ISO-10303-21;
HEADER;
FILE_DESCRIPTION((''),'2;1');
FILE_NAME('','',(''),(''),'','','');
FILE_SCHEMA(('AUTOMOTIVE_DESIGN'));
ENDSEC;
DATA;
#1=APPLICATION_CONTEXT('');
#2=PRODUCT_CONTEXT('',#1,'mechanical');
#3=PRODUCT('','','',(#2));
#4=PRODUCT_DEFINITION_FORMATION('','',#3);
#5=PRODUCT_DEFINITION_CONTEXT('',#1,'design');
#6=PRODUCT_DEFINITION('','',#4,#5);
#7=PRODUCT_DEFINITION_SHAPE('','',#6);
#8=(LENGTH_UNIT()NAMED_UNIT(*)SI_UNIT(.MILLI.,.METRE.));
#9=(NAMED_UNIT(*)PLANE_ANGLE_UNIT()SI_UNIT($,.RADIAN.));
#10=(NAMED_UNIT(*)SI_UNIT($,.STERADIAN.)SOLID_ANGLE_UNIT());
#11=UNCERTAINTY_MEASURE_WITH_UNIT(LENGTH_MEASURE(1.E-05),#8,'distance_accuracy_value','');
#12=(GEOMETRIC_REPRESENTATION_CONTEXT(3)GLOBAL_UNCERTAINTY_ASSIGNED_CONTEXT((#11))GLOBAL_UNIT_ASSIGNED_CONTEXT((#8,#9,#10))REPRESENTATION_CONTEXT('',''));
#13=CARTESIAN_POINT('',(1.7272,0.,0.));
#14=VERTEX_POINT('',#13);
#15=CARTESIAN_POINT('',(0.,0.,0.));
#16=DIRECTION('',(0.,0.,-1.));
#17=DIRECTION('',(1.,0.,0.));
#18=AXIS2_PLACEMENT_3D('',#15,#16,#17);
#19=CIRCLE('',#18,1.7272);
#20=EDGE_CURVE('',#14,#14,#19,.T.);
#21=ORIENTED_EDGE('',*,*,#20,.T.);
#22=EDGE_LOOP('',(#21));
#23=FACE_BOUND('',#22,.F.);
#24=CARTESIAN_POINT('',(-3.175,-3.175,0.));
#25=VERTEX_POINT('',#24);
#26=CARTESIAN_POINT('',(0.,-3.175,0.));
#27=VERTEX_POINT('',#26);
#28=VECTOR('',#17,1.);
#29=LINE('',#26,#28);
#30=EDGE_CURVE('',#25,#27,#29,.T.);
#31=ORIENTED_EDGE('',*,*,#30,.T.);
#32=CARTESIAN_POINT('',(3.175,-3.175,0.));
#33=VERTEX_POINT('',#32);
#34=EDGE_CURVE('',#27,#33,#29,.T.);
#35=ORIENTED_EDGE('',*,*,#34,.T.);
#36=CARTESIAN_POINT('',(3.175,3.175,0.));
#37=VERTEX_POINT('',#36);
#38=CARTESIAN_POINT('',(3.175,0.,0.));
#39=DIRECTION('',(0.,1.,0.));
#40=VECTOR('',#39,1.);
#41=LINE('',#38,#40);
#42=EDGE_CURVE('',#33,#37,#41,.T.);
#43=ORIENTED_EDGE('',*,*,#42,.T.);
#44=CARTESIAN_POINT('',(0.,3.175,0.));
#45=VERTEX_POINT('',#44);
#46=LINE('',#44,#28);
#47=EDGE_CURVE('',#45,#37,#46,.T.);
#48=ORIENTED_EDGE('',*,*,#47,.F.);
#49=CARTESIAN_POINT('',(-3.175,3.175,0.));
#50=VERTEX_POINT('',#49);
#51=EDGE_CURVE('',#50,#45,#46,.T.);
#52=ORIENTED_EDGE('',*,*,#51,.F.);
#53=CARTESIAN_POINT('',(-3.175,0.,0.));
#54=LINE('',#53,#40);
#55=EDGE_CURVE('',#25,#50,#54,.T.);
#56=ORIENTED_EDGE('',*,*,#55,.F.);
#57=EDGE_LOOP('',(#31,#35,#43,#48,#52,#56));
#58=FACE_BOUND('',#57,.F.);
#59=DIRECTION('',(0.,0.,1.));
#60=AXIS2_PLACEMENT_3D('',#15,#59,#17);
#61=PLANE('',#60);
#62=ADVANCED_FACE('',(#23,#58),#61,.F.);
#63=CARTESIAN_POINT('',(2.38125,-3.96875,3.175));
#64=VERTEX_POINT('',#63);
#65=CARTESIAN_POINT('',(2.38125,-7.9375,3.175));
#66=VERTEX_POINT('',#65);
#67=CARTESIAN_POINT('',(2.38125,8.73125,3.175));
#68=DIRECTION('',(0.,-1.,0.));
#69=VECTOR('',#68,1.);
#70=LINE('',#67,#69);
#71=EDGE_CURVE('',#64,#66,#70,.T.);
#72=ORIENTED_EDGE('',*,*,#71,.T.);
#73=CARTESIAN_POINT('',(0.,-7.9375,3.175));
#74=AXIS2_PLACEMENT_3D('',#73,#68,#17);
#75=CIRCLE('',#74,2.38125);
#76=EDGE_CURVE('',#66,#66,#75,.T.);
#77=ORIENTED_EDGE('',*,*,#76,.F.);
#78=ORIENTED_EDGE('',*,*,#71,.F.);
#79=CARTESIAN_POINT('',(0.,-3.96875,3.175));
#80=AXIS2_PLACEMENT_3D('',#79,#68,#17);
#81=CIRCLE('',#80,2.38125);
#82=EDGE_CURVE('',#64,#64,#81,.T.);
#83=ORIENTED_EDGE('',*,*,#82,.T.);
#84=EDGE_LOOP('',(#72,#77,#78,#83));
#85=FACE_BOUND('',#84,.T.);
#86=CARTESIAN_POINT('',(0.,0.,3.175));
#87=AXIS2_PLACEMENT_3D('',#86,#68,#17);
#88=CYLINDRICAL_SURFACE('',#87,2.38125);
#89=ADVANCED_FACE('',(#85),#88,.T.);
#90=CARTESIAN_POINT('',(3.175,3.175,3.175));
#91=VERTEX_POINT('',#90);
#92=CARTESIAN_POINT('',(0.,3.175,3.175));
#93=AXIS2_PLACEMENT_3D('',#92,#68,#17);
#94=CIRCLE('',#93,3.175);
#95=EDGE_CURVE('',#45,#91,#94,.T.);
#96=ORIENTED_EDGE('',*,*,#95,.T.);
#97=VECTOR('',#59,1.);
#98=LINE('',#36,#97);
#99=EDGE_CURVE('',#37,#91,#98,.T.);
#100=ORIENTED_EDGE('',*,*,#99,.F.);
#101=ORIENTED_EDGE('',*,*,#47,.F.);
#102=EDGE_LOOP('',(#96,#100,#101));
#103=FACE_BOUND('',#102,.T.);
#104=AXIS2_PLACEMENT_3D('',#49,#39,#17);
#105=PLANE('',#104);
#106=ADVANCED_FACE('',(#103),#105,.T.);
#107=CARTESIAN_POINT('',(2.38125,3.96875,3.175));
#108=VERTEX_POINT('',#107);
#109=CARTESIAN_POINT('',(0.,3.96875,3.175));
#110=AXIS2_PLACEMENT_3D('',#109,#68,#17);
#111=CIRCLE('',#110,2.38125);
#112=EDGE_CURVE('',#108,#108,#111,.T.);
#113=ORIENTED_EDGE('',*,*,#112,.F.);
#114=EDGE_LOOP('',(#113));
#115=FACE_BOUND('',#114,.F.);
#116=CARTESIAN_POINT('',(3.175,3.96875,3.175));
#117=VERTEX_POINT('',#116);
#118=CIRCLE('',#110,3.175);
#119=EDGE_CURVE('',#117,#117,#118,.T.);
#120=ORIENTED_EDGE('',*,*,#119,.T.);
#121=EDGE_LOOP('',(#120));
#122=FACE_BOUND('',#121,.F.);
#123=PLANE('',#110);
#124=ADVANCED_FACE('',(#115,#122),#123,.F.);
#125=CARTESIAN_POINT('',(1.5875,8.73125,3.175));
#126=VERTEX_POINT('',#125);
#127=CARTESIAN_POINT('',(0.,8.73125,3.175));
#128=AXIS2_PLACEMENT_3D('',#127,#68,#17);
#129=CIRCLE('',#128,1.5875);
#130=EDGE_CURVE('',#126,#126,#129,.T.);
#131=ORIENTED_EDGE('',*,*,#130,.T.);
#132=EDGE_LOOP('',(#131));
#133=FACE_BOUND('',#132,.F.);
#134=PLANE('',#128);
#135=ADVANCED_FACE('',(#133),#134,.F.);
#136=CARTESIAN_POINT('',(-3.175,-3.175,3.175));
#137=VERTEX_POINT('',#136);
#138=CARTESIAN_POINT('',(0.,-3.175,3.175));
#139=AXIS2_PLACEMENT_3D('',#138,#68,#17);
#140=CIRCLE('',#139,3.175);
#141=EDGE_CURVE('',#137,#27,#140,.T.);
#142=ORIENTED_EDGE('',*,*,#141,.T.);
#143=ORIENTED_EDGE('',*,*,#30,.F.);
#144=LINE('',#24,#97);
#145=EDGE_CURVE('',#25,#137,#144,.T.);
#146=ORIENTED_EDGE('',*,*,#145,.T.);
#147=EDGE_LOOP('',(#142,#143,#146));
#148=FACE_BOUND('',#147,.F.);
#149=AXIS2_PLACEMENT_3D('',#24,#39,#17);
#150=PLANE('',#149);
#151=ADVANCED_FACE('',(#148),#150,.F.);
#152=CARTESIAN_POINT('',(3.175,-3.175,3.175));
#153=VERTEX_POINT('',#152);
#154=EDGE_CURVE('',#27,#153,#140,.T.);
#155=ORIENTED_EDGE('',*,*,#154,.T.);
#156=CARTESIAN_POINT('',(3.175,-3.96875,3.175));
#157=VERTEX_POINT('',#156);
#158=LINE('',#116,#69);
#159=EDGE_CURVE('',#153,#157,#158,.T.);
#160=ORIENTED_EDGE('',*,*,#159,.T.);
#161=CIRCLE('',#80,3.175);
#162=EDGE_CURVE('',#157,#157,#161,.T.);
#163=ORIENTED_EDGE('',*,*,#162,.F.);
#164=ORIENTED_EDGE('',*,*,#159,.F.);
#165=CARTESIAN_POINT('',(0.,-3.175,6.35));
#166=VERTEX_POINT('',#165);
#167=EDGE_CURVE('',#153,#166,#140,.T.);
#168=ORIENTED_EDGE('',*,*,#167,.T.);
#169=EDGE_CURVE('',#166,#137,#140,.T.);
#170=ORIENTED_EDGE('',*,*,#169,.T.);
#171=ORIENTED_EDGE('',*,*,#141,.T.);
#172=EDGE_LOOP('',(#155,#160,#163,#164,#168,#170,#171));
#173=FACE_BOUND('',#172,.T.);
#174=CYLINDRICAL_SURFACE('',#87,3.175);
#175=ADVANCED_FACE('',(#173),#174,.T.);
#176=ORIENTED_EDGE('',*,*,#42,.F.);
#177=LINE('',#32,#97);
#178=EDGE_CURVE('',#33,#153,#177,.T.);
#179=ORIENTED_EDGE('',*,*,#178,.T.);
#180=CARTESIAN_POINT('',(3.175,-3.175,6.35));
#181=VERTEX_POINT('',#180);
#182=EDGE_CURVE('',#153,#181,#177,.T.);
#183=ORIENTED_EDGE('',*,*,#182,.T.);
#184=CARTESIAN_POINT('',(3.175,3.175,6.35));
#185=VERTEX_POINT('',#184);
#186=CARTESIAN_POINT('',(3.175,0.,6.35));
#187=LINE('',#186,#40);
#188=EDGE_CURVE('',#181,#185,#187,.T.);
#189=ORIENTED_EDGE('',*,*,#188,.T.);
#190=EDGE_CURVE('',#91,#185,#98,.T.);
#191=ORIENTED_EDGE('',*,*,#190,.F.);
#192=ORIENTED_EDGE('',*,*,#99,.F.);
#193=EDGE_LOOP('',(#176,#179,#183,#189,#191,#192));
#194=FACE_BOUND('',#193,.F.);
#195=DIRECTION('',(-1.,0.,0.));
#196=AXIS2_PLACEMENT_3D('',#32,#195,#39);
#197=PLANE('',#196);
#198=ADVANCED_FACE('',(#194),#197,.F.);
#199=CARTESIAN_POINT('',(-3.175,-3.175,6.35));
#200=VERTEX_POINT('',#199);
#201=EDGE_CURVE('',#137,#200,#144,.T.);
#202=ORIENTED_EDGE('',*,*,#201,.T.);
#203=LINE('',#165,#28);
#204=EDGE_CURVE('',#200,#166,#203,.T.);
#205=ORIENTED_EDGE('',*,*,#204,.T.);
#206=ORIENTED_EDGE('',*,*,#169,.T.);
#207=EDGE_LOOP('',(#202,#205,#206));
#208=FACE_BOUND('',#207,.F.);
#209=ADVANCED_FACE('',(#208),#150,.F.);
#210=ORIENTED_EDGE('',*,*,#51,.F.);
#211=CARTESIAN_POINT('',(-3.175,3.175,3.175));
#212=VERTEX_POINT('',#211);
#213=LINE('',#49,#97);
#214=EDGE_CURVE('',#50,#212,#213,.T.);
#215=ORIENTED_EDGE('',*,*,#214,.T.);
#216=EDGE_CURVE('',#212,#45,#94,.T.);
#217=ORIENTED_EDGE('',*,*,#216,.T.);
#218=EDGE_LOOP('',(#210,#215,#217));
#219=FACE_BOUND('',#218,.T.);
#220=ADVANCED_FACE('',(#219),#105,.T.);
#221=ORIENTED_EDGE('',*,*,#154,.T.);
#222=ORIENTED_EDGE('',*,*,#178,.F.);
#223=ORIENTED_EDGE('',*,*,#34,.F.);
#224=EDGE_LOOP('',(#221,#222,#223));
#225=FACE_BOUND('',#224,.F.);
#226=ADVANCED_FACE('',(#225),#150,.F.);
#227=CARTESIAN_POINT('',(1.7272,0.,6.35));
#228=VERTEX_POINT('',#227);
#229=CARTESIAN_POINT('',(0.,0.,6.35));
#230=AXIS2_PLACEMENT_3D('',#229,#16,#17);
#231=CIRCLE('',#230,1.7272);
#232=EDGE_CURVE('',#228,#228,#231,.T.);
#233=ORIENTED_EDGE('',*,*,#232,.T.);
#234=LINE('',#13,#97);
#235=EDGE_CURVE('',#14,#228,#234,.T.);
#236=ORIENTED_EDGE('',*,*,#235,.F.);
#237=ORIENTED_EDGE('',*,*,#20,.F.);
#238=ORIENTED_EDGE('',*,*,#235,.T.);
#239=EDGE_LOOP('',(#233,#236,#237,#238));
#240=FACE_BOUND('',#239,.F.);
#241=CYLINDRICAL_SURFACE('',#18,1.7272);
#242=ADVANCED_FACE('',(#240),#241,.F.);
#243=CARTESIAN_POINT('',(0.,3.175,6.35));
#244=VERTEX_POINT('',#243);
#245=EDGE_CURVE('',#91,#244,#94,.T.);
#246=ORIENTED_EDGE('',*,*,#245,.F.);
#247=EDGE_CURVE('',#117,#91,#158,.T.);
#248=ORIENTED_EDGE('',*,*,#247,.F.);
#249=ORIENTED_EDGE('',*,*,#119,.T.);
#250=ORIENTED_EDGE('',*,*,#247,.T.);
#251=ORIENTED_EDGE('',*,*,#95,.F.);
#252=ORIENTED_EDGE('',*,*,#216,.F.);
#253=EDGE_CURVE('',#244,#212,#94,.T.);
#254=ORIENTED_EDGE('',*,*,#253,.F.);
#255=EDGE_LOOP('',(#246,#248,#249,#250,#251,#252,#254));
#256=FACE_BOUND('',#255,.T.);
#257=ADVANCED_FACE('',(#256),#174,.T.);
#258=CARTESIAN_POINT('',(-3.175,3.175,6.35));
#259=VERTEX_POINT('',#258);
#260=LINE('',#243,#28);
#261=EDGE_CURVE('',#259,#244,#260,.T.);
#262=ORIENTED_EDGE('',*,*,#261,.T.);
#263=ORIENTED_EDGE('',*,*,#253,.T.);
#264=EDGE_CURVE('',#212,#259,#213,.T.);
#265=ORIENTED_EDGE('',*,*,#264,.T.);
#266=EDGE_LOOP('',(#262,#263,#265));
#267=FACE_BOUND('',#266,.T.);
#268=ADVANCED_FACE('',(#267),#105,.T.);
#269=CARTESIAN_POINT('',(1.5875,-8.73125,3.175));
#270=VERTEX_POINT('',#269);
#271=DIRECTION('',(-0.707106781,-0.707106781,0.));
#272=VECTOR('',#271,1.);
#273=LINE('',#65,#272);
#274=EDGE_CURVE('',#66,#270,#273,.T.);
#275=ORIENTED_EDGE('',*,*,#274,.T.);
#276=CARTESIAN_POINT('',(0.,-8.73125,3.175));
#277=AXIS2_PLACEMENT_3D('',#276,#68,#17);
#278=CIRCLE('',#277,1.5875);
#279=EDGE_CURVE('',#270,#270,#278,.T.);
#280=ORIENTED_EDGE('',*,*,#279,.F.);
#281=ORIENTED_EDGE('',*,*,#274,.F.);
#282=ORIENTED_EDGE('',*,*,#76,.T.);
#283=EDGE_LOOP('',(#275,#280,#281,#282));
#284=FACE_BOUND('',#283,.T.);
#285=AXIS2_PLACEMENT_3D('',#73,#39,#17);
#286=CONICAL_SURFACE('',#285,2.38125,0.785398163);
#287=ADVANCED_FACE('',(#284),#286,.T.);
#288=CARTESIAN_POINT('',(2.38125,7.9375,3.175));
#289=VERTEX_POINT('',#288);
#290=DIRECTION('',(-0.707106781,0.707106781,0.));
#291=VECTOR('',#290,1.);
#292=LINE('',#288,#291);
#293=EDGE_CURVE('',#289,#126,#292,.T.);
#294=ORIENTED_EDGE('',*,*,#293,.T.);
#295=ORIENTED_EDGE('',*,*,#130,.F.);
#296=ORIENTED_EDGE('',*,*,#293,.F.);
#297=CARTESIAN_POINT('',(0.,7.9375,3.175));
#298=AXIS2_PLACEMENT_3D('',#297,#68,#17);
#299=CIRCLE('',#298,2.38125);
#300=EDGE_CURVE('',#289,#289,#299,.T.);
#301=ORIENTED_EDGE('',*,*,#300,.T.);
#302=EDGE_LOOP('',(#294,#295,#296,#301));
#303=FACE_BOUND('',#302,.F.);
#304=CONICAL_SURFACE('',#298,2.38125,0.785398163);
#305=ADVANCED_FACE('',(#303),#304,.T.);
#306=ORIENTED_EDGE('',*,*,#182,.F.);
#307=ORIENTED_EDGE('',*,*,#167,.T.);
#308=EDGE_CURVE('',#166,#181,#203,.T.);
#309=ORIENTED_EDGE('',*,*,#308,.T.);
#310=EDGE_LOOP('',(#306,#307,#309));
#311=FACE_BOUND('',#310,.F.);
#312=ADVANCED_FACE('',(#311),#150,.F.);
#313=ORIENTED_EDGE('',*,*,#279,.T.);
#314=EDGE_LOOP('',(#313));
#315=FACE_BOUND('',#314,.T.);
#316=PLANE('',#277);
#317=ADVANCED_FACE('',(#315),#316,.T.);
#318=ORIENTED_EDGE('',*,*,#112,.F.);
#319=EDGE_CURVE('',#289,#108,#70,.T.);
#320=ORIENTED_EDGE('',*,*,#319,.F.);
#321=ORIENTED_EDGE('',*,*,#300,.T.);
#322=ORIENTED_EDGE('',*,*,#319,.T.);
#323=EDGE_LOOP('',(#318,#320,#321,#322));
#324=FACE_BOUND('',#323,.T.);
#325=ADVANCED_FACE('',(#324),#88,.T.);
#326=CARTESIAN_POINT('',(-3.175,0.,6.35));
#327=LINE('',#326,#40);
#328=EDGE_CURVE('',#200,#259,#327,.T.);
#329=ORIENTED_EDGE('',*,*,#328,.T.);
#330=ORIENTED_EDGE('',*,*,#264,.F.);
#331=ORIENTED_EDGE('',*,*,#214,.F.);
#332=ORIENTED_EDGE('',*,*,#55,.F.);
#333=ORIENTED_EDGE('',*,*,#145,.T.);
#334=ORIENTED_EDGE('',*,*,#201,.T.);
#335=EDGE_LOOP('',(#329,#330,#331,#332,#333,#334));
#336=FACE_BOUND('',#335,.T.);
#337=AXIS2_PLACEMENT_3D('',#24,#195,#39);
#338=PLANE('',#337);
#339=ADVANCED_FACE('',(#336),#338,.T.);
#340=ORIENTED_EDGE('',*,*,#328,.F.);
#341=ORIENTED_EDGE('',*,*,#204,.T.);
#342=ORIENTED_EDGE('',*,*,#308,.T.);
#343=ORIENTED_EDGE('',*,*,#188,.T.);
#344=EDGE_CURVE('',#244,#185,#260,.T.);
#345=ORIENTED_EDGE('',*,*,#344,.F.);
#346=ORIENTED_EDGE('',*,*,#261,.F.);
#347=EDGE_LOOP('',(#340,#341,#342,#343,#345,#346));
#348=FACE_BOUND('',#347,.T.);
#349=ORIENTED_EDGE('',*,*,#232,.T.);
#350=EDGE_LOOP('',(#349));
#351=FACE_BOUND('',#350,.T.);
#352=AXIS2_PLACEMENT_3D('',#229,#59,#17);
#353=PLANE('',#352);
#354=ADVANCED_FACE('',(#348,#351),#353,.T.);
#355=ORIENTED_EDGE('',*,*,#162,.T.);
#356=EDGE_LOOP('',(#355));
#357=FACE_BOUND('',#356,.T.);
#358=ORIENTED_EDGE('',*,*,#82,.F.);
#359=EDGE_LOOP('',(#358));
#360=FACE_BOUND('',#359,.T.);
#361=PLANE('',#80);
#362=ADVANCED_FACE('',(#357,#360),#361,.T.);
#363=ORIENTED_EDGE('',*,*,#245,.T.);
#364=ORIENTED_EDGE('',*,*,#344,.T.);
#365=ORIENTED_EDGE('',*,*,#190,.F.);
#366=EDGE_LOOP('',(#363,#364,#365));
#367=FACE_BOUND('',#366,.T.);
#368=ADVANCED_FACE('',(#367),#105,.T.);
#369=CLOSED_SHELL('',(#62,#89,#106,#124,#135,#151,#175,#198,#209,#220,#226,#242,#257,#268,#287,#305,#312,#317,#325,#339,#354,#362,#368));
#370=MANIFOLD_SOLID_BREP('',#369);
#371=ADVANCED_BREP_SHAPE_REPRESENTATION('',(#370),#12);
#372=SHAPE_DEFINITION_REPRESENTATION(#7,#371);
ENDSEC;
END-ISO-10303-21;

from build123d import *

# Parameters (mm, degrees)
F0_W     = 6.35
F0_H     = 6.35
F1_DEPTH = 6.35
F2_R     = 3.175
F3_DEPTH = 3.96875
F4_R     = 2.38125
F5_DEPTH = 8.73125
F6_R     = 1.7272
F7_DEPTH = 6.35
F8_SIZE  = 0.79375


with BuildPart() as f1:
    # F0 (on Top) → F1 (new body)
    with BuildSketch(Plane.XY):
        Rectangle(F0_W, F0_H)
    extrude(amount=F1_DEPTH)

    # F2 (on Front) → F3 (join, symmetric)
    with BuildSketch(Plane.XZ):
        with Locations((0, 3.175)):
            Circle(F2_R)
    extrude(amount=F3_DEPTH, both=True)

    # F4 (on Front) → F5 (join, symmetric)
    with BuildSketch(Plane.XZ):
        with Locations((0, 3.175)):
            Circle(F4_R)
    extrude(amount=F5_DEPTH, both=True)

    # F6 (on face) → F7 (cut, through all)
    with BuildSketch(Plane(origin=(0, 0, 0), x_dir=(1, 0, 0), z_dir=(0, 0, -1))):
        Circle(F6_R)
    extrude(amount=-F7_DEPTH, mode=Mode.SUBTRACT)

    # F8
    f8_edges = [f1.edges().sort_by_distance(p)[0] for p in [
        (-2.38125, -8.73125, 3.175),
        (-2.38125, 8.73125, 3.175),
    ]]
    chamfer(f8_edges, length=F8_SIZE)


solid = f1.part
